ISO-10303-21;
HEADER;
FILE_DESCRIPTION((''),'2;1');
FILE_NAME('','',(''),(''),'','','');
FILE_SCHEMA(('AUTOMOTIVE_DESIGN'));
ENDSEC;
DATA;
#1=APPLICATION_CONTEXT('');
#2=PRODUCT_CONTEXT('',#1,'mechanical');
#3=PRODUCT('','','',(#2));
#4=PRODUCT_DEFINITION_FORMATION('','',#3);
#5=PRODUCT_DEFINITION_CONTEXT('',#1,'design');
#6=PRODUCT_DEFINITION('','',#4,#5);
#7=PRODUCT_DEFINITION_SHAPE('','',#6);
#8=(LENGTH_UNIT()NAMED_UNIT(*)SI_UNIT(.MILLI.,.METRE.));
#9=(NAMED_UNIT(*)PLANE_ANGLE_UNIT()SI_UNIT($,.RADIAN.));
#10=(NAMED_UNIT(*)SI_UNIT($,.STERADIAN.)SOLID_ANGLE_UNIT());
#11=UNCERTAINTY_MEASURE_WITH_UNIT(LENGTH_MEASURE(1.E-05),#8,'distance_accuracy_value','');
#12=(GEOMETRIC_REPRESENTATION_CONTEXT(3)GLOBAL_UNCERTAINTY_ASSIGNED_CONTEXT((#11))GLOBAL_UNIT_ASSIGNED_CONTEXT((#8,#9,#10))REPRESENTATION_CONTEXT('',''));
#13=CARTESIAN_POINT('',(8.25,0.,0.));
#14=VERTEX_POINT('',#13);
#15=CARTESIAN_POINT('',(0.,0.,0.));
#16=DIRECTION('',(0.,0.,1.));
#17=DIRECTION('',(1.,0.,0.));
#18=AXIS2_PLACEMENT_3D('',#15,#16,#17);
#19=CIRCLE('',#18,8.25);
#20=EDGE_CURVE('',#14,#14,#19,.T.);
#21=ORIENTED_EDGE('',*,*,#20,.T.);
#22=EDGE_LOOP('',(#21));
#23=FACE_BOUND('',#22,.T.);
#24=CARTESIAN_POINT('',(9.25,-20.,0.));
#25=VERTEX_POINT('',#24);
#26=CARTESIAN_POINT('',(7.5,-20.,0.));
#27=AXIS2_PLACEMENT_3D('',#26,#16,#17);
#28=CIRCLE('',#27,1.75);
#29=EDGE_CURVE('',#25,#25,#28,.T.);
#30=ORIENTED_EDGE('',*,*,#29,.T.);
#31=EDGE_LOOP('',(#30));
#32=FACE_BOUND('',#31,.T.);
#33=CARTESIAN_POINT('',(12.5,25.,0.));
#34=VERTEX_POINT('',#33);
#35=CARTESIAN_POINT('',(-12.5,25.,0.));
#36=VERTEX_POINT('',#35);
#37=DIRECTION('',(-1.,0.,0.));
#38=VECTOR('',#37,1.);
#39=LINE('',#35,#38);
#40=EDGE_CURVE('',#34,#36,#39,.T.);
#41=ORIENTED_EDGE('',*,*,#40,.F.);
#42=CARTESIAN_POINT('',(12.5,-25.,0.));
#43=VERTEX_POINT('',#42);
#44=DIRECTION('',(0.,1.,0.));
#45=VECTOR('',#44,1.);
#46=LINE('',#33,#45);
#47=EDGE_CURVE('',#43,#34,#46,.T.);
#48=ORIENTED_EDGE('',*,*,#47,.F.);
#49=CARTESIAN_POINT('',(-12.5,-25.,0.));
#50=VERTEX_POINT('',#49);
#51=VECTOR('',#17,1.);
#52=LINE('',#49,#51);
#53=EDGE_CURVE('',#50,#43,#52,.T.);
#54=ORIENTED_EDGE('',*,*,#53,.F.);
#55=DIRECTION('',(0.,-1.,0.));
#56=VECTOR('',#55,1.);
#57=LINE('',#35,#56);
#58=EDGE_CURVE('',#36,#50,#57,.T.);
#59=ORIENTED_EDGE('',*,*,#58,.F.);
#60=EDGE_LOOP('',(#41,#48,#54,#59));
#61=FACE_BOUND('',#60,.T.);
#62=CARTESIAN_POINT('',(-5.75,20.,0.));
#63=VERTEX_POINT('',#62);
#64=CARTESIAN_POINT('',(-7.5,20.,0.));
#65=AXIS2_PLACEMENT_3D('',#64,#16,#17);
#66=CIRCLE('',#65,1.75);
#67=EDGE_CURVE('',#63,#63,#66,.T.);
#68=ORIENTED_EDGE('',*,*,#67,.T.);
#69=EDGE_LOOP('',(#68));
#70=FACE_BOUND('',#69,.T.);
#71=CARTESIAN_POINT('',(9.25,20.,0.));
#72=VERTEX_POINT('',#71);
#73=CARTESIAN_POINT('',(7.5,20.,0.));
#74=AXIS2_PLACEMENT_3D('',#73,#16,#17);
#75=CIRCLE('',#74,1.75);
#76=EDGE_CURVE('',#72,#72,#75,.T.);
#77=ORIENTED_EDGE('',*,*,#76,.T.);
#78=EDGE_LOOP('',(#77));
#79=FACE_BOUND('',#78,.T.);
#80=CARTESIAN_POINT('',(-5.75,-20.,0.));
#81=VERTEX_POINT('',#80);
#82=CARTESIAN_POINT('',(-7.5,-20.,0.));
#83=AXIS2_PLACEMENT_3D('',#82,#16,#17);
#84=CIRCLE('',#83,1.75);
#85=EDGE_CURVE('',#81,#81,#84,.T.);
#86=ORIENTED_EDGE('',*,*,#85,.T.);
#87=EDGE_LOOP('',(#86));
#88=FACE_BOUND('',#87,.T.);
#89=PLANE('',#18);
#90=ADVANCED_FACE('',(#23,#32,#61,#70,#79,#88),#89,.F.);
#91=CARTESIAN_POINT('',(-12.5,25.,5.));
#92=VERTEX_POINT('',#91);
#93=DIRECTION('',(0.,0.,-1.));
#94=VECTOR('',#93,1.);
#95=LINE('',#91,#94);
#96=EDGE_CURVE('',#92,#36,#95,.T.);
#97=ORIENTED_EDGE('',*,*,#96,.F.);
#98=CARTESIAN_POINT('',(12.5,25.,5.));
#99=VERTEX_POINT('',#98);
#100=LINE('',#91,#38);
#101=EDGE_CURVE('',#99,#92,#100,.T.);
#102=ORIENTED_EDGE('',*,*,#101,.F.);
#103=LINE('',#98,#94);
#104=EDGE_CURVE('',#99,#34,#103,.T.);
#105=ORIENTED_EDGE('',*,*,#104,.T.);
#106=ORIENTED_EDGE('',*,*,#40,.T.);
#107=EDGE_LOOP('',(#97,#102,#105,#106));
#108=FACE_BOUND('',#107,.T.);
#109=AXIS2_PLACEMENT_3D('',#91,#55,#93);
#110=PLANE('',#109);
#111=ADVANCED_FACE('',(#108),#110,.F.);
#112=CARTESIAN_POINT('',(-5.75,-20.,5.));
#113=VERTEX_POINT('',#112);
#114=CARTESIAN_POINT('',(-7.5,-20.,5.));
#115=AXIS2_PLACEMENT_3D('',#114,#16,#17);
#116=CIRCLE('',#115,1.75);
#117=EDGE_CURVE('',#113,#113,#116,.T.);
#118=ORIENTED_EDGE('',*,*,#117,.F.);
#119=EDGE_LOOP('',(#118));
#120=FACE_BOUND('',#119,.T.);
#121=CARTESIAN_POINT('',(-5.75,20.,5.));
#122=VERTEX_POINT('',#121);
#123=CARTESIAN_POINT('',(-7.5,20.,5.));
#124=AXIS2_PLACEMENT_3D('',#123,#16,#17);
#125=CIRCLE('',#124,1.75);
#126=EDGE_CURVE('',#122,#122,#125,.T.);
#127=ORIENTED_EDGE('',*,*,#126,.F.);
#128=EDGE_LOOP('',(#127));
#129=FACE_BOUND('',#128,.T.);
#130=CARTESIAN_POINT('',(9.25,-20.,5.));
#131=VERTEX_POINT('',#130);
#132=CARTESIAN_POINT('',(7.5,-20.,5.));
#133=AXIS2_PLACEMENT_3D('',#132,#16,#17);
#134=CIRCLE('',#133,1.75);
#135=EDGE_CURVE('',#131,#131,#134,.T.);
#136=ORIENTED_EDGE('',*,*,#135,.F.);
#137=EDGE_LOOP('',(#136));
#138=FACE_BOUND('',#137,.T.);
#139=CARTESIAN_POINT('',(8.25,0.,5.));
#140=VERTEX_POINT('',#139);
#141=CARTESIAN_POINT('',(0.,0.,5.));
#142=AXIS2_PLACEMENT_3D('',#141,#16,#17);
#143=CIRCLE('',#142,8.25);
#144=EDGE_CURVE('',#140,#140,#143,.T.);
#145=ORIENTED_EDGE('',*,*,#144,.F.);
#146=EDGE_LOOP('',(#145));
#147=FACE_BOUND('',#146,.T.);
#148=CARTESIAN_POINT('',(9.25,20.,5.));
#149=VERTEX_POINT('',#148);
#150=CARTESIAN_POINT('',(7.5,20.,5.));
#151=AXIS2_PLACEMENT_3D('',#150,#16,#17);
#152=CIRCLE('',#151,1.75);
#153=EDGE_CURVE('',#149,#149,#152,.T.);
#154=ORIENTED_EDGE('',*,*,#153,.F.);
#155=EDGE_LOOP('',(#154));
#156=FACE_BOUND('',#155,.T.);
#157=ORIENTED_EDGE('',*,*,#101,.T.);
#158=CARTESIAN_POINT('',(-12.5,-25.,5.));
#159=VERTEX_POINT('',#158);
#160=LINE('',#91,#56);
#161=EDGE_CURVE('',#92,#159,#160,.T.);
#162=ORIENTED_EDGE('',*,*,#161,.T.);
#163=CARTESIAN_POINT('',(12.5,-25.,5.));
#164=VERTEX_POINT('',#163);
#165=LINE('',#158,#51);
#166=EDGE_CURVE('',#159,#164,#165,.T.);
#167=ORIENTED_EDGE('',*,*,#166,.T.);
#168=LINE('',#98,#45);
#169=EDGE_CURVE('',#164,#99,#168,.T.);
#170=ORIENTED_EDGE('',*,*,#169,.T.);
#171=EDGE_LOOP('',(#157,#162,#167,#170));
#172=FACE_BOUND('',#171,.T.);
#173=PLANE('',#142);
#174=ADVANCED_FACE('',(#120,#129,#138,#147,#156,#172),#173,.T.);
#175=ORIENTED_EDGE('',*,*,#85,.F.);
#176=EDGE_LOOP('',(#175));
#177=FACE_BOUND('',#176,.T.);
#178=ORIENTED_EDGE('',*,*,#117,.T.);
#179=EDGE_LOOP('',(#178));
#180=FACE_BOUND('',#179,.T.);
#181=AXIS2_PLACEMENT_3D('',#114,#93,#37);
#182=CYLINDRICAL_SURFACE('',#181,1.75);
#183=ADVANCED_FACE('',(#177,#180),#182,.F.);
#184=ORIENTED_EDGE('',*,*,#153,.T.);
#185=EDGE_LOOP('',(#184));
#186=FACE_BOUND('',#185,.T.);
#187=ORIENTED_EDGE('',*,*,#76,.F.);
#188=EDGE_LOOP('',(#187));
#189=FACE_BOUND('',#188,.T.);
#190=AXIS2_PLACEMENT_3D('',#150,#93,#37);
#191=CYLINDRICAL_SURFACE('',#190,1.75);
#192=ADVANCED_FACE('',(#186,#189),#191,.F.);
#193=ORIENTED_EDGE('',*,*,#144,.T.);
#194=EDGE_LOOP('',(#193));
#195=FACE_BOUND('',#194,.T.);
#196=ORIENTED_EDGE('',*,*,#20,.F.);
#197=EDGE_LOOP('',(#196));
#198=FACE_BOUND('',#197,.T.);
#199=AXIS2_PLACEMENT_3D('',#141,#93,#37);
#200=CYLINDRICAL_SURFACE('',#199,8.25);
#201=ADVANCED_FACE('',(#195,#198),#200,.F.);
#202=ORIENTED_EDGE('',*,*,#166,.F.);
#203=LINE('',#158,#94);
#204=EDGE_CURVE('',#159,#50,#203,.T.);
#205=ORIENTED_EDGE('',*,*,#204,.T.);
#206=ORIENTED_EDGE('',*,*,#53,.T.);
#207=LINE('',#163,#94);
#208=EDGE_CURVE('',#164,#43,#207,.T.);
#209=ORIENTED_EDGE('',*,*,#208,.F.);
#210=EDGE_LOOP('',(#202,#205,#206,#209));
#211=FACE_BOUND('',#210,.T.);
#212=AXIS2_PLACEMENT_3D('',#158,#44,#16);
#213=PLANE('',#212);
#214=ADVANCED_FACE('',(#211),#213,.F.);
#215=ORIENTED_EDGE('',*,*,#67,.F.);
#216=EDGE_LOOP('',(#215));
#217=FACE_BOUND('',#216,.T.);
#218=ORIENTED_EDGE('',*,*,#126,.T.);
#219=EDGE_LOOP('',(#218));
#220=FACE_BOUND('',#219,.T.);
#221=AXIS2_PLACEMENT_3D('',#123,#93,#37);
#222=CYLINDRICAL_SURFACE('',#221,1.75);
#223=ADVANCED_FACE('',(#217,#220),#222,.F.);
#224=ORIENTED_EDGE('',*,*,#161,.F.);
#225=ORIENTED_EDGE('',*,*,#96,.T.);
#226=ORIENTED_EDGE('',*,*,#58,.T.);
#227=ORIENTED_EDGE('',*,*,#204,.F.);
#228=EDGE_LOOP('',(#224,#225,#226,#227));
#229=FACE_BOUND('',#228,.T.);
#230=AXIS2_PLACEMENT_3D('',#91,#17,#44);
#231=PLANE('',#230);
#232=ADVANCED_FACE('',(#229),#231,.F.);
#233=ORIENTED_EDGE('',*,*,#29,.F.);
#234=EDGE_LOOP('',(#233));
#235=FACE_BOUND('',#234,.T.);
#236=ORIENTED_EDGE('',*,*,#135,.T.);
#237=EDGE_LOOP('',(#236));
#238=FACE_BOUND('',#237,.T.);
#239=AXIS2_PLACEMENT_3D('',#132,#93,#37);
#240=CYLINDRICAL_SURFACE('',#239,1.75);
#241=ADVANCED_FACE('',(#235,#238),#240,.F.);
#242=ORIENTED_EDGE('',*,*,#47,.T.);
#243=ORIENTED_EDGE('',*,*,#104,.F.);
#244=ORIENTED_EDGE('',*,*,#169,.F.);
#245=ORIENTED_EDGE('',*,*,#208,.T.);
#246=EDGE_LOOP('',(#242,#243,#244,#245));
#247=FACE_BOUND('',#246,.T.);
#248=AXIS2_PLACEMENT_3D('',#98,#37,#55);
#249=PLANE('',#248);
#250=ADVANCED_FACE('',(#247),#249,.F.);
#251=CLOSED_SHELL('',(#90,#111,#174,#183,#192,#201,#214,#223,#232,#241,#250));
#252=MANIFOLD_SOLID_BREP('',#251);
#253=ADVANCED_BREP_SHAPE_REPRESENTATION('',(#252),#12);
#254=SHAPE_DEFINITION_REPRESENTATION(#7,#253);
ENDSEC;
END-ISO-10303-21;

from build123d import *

# Parameters (mm, degrees)
SKETCH_1_W      = 25
SKETCH_1_H      = 50
SKETCH_1_R      = 8.25
SKETCH_1_R_2    = 1.75
EXTRUDE_1_DEPTH = 5


with BuildPart() as part:
    # ｽｹｯﾁ1 → ﾎﾞｽ - 押し出し1 (new body)
    with BuildSketch(Plane.XY):
        Rectangle(SKETCH_1_W, SKETCH_1_H)
        Circle(SKETCH_1_R, mode=Mode.SUBTRACT)
        with Locations((-7.5, 20)):
            Circle(SKETCH_1_R_2, mode=Mode.SUBTRACT)
        with Locations((7.5, 20)):
            Circle(SKETCH_1_R_2, mode=Mode.SUBTRACT)
        with Locations((-7.5, -20)):
            Circle(SKETCH_1_R_2, mode=Mode.SUBTRACT)
        with Locations((7.5, -20)):
            Circle(SKETCH_1_R_2, mode=Mode.SUBTRACT)
    extrude(amount=EXTRUDE_1_DEPTH)


solid = part.part
